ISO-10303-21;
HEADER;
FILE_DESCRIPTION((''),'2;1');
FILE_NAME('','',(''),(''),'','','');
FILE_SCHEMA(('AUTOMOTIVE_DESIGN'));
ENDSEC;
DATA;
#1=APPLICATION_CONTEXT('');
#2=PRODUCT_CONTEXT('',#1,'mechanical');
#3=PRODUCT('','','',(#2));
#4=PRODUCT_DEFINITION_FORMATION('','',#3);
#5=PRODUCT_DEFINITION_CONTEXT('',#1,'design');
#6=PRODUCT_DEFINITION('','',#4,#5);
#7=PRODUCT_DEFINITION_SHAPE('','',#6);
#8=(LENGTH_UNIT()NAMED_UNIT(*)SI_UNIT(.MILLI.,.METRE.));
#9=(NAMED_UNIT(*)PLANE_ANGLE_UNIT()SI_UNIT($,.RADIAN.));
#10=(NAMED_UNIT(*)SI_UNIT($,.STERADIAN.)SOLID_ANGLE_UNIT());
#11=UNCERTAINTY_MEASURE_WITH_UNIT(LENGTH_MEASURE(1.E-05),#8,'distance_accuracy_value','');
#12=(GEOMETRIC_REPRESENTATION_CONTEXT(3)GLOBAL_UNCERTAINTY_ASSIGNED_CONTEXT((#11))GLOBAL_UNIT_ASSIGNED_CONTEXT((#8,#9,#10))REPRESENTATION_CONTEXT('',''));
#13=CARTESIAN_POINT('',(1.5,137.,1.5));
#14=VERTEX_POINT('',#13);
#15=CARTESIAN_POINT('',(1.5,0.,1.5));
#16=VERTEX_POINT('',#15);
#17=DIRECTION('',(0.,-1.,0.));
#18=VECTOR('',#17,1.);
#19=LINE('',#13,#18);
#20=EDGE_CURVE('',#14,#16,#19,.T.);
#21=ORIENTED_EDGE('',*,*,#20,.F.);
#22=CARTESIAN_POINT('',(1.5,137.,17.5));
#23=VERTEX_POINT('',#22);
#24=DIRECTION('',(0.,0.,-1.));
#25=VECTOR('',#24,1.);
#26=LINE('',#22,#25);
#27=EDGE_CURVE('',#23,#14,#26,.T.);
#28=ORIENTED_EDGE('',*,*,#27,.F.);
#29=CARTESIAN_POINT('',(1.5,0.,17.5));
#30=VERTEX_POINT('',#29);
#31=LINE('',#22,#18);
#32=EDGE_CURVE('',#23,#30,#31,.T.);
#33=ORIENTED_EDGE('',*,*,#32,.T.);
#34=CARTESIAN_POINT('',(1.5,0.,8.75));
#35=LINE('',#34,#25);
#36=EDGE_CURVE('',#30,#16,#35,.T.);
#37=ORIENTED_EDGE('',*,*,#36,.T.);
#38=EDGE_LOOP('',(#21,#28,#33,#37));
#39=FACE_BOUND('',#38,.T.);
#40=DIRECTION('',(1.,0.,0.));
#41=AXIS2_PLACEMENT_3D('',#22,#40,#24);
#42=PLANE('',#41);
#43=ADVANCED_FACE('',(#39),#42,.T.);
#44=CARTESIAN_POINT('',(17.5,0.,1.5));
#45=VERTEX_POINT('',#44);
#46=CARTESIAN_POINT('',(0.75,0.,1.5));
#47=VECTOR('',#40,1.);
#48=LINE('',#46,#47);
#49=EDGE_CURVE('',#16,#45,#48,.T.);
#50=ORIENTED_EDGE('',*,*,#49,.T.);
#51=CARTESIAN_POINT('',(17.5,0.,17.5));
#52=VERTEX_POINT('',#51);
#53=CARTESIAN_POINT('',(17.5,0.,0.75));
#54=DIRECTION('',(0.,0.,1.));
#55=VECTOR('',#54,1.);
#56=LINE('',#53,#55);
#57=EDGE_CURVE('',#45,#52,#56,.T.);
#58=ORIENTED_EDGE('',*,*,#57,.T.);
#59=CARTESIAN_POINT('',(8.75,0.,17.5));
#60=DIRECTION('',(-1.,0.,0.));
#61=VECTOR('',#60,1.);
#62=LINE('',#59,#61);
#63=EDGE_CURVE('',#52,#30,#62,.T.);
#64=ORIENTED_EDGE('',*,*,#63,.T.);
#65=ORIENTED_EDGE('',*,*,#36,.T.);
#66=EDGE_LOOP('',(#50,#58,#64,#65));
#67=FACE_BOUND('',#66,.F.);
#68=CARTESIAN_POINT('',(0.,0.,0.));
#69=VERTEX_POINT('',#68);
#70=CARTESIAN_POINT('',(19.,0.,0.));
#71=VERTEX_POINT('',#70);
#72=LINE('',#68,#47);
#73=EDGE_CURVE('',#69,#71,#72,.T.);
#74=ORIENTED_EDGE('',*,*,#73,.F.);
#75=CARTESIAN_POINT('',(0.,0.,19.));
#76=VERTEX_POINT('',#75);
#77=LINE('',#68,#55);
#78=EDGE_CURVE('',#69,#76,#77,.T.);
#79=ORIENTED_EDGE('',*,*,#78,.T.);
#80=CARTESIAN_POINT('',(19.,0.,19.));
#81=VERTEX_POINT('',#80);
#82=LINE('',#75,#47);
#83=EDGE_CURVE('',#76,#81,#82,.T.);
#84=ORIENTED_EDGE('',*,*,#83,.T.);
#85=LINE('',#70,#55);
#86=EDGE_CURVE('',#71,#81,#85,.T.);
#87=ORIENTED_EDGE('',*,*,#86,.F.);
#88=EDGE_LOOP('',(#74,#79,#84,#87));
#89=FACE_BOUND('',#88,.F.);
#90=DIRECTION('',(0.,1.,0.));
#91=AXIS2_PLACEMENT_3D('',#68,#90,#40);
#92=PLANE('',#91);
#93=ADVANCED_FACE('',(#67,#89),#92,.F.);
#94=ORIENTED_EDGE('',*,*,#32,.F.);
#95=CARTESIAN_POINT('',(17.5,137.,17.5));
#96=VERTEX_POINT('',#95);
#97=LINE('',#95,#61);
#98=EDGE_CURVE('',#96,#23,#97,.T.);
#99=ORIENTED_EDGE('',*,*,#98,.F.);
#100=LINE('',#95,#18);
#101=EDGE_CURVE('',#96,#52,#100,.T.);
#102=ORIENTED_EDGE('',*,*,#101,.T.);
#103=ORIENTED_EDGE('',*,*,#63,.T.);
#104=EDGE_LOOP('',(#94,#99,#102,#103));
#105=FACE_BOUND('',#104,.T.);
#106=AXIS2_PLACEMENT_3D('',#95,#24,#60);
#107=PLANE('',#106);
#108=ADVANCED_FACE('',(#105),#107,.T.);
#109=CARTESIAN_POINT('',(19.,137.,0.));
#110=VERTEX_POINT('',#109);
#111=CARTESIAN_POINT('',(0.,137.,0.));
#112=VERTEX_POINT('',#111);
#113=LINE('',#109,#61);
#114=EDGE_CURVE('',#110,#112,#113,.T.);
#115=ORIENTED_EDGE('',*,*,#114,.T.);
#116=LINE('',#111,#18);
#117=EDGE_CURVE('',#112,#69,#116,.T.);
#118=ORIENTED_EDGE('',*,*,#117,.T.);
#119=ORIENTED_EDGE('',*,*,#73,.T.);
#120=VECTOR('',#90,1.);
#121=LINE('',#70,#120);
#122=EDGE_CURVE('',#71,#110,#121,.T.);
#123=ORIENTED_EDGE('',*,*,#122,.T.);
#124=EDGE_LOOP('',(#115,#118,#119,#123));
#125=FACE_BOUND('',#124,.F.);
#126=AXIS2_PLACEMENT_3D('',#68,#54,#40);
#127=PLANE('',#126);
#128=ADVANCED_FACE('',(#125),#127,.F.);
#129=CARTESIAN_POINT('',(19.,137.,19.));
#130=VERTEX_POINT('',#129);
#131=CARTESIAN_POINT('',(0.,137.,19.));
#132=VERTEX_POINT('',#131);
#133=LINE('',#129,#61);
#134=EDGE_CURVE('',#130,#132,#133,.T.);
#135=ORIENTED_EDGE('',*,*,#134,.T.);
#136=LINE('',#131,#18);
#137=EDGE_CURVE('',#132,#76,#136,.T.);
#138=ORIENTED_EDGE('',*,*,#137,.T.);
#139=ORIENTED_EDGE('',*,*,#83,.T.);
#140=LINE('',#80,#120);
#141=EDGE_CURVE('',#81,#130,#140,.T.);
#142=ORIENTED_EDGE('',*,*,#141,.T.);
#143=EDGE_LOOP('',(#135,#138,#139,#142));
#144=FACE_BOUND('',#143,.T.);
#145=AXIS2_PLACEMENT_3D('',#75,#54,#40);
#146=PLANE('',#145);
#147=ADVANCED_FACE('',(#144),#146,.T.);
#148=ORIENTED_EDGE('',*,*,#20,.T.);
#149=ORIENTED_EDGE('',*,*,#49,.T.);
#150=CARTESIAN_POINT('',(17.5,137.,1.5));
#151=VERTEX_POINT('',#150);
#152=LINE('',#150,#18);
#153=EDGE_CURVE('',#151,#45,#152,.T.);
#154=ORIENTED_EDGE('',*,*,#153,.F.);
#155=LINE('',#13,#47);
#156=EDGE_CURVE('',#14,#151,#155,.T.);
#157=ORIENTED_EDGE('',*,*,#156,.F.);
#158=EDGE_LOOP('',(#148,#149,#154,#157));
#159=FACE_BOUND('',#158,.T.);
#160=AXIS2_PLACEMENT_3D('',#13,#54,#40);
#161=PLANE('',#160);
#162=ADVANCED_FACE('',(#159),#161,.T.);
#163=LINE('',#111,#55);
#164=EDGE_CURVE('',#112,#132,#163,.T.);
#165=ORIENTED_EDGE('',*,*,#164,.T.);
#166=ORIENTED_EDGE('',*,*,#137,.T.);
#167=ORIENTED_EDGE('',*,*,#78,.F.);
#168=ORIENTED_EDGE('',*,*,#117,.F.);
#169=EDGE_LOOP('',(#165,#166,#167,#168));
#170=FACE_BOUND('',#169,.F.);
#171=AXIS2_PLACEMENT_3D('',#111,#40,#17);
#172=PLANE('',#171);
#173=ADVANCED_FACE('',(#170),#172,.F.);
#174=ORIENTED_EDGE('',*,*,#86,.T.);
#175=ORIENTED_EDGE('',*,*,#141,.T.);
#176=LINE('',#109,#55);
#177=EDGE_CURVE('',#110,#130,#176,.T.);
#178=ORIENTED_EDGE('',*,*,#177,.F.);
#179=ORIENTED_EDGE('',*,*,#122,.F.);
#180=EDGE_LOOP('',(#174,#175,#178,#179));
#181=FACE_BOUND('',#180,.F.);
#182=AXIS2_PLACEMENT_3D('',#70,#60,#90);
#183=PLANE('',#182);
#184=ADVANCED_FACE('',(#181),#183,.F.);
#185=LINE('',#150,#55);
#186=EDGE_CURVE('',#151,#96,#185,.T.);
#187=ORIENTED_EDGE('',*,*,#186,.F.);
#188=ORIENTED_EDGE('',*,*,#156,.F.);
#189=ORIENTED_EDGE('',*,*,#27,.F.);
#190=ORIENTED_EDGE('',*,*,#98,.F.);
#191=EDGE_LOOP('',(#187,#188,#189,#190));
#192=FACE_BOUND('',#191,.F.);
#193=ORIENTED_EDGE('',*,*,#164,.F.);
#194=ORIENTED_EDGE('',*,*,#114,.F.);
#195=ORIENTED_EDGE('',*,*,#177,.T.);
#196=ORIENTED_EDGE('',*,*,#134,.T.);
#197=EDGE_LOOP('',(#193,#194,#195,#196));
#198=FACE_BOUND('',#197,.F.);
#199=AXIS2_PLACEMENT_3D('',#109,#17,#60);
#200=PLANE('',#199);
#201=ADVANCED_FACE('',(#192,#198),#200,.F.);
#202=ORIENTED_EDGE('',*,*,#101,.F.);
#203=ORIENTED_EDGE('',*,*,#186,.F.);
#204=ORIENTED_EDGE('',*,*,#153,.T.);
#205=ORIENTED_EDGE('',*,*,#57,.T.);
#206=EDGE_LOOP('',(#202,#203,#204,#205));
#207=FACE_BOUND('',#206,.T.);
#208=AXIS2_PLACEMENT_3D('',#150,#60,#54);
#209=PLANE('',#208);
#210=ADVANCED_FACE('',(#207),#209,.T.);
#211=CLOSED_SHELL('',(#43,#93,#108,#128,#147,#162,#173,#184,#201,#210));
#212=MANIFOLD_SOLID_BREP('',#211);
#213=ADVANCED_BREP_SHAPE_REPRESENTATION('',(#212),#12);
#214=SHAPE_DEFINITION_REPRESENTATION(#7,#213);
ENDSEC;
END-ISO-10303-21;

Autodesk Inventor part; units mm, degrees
ref_plane "YZ Plane" through (0, 0, 0) normal (1, 0, 0) x (0, 1, 0)
ref_plane "XZ Plane" through (0, 0, 0) normal (0, 1, 0) x (-1, 0, 0)
ref_plane "XY Plane" through (0, 0, 0) normal (0, 0, 1) x (1, 0, 0)
sketch "Sketch2" plane through (0, 0, 0) normal (0, 0, 1) x (1, 0, 0)
  line L0 (0, 0) -> (19, 0)
  line L1 (19, 0) -> (19, 137)
  line L2 (19, 137) -> (0, 137)
  line L3 (0, 137) -> (0, 0)
  dimension "d9" = 19
  dimension "d10" = 137
extrude "Extrusion1" add sketch "Sketch2" along normal blind 19
sketch "Sketch4" plane through (0, 137, 0) normal (0, 1, 0) x (1, 0, 0)
  line L0 (19, 0) -> (0, 0) projected
  line L1 (0, 0) -> (0, -19) projected
  line L2 (19, -19) -> (0, -19) projected
  line L3 (19, 0) -> (19, -19) projected
  line L4 (1.5, -17.5) -> (1.5, -1.5)
  line L5 (1.5, -1.5) -> (17.5, -1.5)
  line L6 (17.5, -1.5) -> (17.5, -17.5)
  line L7 (17.5, -17.5) -> (1.5, -17.5)
  dimension "d11" = 1.5
extrude "Extrusion3" cut sketch "Sketch4" against normal through all contours L4 L5 L6 L7
properties part number "C009" material "Aluminum 6061"
